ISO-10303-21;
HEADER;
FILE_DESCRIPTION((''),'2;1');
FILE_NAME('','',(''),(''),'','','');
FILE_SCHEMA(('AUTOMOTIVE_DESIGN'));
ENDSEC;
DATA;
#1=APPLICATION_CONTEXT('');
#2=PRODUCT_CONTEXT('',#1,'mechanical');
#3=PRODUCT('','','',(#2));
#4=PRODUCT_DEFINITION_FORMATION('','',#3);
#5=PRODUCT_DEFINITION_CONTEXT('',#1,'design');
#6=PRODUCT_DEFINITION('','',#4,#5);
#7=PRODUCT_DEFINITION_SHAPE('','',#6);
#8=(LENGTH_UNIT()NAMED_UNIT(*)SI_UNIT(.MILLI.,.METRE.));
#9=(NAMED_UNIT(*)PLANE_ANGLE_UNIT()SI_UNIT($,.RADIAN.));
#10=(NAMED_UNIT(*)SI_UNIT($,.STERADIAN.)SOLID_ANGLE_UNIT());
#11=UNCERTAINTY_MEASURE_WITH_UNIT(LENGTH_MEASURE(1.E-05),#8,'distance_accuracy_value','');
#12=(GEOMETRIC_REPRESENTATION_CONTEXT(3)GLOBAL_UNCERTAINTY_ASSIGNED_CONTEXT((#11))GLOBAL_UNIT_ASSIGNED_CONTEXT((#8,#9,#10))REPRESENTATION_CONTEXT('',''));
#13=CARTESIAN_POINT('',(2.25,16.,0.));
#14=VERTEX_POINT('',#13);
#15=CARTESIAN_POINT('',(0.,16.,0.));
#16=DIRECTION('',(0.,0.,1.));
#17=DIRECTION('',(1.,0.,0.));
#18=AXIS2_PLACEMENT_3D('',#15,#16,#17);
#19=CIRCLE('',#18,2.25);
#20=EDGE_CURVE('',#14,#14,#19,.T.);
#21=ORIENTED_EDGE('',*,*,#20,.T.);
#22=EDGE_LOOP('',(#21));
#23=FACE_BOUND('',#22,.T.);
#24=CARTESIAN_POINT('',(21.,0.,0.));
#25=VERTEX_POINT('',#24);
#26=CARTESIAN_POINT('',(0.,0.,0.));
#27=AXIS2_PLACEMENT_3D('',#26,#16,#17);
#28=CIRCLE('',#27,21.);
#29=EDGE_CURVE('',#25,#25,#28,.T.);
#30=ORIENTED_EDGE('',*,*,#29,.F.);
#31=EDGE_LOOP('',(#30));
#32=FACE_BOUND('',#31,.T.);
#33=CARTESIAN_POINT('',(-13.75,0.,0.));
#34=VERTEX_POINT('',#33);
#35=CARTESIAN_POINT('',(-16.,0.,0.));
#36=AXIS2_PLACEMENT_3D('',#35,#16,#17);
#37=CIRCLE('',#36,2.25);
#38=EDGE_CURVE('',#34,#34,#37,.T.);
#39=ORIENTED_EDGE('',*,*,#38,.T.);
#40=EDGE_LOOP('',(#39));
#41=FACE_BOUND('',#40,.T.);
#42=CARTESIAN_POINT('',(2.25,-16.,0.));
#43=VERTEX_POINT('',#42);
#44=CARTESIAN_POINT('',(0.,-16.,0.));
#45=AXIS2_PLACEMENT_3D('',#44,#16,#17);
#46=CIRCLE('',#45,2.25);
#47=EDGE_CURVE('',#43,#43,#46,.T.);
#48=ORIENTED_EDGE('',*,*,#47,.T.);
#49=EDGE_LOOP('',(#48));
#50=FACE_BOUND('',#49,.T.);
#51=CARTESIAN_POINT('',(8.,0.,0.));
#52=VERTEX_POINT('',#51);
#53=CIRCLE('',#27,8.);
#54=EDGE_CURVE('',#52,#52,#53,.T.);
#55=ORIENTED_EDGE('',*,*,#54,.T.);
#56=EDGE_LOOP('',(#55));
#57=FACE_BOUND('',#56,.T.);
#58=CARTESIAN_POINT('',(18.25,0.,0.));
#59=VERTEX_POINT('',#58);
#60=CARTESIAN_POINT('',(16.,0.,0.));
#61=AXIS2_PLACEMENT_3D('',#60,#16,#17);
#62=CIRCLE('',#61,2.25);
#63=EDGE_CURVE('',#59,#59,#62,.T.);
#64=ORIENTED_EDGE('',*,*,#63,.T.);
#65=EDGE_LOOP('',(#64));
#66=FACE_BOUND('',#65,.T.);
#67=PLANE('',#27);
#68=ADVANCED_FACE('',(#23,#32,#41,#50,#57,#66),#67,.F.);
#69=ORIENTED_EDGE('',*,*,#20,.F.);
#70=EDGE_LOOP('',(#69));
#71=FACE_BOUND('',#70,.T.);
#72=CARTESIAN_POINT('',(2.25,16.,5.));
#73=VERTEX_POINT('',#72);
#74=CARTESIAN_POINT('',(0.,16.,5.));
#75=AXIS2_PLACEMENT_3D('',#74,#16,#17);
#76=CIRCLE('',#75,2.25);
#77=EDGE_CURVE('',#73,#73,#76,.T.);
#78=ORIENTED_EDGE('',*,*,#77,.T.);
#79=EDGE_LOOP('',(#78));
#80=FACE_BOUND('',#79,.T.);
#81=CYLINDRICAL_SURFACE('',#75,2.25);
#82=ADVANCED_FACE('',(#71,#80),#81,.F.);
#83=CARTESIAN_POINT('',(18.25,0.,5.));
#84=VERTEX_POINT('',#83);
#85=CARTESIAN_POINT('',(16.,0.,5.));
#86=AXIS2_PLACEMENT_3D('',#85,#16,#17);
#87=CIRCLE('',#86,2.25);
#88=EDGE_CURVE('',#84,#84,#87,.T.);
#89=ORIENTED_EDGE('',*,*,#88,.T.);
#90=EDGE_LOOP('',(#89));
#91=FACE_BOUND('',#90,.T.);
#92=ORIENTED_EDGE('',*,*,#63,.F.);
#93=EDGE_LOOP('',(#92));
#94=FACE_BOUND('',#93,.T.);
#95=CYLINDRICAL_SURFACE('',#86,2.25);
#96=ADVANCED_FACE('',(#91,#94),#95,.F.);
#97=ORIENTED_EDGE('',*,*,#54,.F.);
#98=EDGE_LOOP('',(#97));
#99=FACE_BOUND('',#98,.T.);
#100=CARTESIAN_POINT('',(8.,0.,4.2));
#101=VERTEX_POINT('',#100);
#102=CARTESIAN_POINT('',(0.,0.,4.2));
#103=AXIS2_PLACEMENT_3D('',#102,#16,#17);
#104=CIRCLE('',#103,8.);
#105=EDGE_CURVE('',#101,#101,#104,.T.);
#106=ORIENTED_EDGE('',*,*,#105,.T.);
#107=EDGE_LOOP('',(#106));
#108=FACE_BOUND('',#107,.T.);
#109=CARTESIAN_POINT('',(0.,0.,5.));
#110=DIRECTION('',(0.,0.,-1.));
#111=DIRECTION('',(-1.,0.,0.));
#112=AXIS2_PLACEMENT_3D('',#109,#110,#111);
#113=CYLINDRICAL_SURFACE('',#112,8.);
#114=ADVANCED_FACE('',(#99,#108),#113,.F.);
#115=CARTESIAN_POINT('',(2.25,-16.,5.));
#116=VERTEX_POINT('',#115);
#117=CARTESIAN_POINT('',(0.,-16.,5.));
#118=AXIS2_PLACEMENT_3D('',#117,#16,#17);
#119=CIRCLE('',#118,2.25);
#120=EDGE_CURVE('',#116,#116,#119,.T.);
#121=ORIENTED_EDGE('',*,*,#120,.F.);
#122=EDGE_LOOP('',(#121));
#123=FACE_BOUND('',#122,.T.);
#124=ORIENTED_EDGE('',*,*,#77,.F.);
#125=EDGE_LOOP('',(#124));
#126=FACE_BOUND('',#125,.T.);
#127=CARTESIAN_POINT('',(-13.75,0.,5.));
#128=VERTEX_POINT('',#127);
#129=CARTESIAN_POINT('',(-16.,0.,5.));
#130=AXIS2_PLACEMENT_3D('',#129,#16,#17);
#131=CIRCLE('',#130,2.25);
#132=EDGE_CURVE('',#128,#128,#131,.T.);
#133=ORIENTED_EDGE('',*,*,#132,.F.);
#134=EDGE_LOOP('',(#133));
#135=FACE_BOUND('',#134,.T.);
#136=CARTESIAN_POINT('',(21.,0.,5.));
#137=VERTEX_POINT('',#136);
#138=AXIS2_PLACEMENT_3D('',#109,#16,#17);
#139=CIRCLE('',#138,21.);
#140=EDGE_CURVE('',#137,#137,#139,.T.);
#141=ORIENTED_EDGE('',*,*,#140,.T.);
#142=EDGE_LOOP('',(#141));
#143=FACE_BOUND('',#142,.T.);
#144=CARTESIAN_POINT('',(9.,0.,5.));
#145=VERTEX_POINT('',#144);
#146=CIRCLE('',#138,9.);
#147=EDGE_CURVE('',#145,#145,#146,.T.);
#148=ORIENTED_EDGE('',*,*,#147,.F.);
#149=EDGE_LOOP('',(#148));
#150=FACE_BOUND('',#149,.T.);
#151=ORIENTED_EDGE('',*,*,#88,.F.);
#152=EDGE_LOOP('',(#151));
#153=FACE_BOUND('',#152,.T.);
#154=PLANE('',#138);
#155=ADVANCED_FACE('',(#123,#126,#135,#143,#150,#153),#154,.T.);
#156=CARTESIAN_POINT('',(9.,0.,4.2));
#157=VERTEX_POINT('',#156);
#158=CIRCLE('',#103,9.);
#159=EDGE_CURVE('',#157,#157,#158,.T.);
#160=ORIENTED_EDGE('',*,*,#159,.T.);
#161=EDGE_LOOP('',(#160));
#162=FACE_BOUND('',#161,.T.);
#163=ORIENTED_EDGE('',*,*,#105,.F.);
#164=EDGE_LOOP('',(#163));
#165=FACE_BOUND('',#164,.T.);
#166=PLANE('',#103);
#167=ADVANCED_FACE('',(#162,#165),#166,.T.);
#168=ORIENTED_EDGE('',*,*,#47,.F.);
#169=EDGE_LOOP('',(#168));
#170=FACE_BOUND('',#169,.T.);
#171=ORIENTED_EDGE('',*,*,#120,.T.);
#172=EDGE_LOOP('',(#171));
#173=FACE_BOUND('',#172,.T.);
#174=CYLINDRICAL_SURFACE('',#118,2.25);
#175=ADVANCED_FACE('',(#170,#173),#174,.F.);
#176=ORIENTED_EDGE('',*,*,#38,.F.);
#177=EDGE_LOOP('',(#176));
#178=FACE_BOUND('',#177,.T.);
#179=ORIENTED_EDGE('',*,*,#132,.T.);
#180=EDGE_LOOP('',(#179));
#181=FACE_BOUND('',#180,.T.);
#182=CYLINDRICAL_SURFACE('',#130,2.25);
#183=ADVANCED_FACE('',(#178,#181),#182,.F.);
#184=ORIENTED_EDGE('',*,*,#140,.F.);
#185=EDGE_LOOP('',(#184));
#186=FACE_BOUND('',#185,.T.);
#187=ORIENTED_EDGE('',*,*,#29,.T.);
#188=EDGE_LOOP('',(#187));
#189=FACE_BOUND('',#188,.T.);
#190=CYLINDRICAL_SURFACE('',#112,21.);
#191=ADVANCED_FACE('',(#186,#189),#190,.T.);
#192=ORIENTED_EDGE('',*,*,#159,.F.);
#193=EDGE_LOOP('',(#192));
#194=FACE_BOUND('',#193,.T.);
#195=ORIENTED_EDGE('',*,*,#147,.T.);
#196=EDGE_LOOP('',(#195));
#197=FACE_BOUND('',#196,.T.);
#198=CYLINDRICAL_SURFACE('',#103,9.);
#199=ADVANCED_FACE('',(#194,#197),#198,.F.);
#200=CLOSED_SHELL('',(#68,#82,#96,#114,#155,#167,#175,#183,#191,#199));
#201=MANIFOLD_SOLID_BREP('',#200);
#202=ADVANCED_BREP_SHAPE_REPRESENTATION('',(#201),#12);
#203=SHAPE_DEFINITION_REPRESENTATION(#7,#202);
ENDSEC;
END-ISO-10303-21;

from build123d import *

# Parameters (mm, degrees)
SKETCH_1_R          = 21
SKETCH_1_R_2        = 8
EXTRUDE_1_DEPTH     = 5
HOLE_WIZARD_M41_D   = 4.5
SKETCH_4_R          = 9
CUT_EXTRUDE_1_DEPTH = 0.8


with BuildPart() as part:
    # Эскиз1 → Бобышка-Вытянуть1 (new body)
    with BuildSketch(Plane.XY):
        Circle(SKETCH_1_R)
        Circle(SKETCH_1_R_2, mode=Mode.SUBTRACT)
    extrude(amount=EXTRUDE_1_DEPTH)

    # Отверстие с зазором M41 (through all)
    with Locations(Plane.XY.offset(5)):
        with Locations((0, 16), (-16, 0), (0, -16), (16, 0)):
            Hole(HOLE_WIZARD_M41_D / 2)

    # Эскиз4 → Вырез-Вытянуть1 (cut)
    with BuildSketch(Plane.XY.offset(5)):
        Circle(SKETCH_4_R)
    extrude(amount=-CUT_EXTRUDE_1_DEPTH, mode=Mode.SUBTRACT)


solid = part.part
